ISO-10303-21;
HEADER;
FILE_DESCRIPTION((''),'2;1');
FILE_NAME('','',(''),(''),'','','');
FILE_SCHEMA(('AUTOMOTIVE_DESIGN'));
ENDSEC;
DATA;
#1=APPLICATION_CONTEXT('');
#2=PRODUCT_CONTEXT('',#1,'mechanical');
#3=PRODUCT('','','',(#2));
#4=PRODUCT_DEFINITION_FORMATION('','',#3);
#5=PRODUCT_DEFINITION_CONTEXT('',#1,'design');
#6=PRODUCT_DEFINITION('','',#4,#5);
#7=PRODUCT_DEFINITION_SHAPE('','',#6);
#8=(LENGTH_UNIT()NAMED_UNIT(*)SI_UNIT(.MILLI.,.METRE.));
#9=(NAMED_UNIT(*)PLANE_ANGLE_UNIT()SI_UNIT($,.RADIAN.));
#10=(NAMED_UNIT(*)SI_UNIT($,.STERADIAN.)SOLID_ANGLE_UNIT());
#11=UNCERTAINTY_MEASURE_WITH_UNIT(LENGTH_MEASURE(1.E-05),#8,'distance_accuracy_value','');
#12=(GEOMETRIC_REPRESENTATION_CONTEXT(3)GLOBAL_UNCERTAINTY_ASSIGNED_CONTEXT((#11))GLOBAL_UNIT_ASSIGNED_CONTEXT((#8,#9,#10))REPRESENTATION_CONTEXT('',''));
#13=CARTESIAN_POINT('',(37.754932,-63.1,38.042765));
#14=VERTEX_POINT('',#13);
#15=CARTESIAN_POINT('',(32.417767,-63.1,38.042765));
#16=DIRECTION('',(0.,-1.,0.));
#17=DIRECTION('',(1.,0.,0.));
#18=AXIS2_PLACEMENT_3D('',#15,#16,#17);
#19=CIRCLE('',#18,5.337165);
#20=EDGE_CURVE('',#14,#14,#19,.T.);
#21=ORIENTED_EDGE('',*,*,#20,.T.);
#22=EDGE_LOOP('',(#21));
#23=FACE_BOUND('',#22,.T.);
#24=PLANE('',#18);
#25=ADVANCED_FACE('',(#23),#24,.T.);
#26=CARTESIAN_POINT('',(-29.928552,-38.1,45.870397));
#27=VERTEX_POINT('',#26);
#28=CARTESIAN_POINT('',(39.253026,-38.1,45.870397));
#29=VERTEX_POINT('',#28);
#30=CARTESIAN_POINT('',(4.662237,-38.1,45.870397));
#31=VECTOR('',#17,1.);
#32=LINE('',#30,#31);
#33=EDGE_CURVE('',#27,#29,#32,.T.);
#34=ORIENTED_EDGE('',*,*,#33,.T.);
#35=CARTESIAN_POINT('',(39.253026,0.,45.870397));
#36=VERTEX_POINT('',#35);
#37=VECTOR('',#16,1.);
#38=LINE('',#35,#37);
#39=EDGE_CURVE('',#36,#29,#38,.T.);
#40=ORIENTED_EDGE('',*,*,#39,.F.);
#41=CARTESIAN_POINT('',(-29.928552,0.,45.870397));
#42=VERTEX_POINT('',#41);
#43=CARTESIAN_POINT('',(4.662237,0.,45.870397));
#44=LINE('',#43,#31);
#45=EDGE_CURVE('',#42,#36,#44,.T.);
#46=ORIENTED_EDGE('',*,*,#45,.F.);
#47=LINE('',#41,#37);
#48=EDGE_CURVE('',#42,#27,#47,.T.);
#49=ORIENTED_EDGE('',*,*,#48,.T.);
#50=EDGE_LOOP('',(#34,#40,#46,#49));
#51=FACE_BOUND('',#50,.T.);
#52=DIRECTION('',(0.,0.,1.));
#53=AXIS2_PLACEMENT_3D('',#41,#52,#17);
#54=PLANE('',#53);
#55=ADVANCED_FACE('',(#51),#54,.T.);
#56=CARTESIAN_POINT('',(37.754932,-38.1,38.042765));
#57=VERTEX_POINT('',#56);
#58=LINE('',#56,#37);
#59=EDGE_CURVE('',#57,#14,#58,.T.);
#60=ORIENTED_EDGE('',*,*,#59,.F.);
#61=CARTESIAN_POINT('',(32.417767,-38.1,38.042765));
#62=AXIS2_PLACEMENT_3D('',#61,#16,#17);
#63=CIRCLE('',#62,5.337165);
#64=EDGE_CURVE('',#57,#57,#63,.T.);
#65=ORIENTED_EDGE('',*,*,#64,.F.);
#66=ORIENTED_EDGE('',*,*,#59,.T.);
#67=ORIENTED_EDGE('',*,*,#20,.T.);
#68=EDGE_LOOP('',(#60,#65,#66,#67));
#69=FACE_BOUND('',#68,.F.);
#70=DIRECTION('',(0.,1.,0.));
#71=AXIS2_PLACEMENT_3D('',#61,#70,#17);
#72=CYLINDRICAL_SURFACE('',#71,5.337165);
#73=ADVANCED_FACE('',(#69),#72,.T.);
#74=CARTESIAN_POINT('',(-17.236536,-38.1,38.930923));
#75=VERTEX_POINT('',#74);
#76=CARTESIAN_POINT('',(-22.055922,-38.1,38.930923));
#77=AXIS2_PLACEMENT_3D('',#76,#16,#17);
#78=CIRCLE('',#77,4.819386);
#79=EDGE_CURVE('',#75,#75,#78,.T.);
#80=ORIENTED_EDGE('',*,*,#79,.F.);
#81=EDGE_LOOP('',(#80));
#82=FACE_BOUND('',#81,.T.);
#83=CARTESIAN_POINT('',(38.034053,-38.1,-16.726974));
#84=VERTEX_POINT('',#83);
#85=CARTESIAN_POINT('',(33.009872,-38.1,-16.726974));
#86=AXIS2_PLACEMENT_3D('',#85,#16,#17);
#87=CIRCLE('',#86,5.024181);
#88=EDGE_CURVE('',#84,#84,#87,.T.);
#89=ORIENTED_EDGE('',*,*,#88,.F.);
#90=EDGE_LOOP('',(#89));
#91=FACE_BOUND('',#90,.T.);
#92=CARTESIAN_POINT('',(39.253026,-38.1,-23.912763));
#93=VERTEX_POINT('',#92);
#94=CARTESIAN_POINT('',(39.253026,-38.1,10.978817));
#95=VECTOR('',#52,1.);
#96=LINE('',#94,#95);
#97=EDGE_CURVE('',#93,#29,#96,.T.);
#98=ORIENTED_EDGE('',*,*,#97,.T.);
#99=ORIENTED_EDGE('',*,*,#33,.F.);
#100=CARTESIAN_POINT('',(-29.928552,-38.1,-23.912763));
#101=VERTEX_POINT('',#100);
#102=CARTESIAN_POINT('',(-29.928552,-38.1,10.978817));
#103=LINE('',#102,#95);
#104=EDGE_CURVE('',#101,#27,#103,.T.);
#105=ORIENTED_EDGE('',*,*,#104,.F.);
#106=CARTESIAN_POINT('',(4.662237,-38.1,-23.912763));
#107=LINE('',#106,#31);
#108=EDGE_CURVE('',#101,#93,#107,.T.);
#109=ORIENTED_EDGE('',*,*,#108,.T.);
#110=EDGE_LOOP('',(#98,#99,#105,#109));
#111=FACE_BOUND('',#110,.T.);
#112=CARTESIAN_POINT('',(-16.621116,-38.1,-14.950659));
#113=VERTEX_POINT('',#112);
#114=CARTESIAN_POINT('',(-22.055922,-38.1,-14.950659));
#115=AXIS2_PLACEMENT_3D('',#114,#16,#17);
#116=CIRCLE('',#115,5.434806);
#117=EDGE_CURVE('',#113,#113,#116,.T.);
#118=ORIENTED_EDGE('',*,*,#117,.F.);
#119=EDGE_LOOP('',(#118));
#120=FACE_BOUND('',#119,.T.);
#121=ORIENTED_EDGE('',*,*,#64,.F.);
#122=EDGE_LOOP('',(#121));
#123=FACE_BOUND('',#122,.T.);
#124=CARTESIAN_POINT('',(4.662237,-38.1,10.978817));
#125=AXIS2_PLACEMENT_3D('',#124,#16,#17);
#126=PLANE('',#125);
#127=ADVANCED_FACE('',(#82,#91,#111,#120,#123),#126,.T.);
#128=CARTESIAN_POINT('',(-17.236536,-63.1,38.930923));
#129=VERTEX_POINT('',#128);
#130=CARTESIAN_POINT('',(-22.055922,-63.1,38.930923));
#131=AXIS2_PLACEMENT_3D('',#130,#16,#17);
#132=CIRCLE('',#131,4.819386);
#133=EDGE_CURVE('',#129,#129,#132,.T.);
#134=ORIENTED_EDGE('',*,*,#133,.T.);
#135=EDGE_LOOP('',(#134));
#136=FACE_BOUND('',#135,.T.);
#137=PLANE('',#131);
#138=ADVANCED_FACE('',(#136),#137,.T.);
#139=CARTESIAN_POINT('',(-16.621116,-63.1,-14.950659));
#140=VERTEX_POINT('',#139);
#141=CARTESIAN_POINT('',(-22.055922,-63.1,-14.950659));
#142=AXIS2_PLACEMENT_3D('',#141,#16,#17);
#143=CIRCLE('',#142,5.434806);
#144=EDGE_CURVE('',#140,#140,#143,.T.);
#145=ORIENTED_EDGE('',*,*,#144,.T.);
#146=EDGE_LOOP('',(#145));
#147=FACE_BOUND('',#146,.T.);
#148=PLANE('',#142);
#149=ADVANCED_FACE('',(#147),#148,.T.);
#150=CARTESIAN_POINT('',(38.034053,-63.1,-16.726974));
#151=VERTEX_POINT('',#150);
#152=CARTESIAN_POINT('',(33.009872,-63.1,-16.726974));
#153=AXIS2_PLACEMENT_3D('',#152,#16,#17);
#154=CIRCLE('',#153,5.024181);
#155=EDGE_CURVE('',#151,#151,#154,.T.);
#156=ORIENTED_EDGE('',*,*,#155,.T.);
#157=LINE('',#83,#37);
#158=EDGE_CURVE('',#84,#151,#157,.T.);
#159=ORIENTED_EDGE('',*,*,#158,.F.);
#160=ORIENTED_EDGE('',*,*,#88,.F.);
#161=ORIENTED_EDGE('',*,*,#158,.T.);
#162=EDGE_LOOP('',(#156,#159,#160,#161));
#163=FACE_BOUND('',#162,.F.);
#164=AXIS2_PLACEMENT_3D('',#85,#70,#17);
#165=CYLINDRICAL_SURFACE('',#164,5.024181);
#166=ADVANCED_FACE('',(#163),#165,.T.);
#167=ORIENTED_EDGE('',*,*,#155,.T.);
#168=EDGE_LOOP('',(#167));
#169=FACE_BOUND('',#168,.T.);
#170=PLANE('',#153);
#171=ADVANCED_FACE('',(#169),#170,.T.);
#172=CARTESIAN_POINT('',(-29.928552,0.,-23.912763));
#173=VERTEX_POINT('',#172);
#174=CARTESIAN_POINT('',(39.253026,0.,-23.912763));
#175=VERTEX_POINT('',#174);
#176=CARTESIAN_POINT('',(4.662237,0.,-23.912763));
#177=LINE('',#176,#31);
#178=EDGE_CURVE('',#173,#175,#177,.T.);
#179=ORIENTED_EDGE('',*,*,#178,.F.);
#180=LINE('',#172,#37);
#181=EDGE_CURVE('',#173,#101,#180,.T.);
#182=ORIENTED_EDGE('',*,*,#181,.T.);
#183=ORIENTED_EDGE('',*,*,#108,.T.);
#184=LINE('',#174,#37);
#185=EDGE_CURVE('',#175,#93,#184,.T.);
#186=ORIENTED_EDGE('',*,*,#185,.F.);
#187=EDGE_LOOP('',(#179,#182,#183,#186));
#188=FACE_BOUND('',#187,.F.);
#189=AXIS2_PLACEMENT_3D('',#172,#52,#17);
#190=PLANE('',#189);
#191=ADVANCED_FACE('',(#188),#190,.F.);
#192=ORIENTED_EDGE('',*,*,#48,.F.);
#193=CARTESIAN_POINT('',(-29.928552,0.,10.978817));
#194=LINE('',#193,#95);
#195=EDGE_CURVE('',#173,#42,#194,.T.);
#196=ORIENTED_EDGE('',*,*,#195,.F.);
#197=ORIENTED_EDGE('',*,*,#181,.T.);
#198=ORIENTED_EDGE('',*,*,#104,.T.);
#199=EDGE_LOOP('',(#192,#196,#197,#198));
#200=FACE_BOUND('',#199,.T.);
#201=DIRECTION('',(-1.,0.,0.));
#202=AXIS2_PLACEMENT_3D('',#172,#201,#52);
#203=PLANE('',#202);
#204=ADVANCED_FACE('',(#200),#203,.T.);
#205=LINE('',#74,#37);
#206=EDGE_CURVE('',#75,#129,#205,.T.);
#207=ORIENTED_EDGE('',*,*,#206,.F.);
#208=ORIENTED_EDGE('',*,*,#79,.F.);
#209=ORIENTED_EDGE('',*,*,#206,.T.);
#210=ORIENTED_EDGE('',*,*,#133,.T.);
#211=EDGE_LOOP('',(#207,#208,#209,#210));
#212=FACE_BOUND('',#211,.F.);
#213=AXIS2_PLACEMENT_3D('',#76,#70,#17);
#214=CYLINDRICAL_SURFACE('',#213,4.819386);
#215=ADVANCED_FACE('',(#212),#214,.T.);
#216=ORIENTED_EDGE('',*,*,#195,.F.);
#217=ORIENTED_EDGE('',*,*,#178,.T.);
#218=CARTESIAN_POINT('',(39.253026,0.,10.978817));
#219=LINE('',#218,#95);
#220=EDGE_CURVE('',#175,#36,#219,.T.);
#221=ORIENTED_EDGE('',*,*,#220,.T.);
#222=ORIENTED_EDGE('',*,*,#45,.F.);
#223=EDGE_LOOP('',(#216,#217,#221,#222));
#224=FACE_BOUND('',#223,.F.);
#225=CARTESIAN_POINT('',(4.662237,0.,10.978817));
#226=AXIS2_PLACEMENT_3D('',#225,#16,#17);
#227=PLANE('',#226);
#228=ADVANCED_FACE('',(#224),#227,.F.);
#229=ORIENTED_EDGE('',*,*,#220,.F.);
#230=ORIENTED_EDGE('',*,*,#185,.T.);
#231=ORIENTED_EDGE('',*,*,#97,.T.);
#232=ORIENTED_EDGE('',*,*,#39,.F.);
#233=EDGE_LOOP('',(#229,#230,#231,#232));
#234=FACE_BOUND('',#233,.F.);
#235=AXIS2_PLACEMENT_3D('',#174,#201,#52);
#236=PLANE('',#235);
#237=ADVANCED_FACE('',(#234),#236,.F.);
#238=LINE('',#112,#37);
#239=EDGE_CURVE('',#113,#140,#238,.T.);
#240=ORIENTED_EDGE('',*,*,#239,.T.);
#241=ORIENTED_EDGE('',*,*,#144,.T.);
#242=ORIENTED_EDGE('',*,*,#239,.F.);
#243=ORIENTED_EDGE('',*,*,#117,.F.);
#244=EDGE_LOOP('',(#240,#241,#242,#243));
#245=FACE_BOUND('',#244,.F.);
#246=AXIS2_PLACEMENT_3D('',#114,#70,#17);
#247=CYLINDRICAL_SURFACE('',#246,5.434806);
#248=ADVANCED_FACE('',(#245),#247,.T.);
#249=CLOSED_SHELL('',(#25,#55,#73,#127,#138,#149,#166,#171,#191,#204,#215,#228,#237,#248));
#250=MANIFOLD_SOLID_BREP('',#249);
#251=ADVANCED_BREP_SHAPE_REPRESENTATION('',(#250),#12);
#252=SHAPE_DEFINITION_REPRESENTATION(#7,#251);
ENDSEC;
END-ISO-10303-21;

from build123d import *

# Parameters (mm, degrees)
F0_W     = 69.181578
F0_H     = 69.78316
F1_DEPTH = 38.1
F2_R     = 4.819386
F2_R_2   = 5.434806
F2_R_3   = 5.024181
F2_R_4   = 5.337165
F3_DEPTH = 25


with BuildPart() as f1:
    # F0 (on Front) → F1 (new body)
    with BuildSketch(Plane.XZ):
        with Locations((4.662237, 10.978817)):
            Rectangle(F0_W, F0_H)
    extrude(amount=F1_DEPTH)

    # F2 (on face) → F3 (join)
    with BuildSketch(Plane.XZ.offset(38.1)):
        with Locations((-22.055922, 38.930923)):
            Circle(F2_R)
        with Locations((-22.055922, -14.950659)):
            Circle(F2_R_2)
        with Locations((33.009872, -16.726974)):
            Circle(F2_R_3)
        with Locations((32.417767, 38.042765)):
            Circle(F2_R_4)
    extrude(amount=F3_DEPTH)


solid = f1.part
